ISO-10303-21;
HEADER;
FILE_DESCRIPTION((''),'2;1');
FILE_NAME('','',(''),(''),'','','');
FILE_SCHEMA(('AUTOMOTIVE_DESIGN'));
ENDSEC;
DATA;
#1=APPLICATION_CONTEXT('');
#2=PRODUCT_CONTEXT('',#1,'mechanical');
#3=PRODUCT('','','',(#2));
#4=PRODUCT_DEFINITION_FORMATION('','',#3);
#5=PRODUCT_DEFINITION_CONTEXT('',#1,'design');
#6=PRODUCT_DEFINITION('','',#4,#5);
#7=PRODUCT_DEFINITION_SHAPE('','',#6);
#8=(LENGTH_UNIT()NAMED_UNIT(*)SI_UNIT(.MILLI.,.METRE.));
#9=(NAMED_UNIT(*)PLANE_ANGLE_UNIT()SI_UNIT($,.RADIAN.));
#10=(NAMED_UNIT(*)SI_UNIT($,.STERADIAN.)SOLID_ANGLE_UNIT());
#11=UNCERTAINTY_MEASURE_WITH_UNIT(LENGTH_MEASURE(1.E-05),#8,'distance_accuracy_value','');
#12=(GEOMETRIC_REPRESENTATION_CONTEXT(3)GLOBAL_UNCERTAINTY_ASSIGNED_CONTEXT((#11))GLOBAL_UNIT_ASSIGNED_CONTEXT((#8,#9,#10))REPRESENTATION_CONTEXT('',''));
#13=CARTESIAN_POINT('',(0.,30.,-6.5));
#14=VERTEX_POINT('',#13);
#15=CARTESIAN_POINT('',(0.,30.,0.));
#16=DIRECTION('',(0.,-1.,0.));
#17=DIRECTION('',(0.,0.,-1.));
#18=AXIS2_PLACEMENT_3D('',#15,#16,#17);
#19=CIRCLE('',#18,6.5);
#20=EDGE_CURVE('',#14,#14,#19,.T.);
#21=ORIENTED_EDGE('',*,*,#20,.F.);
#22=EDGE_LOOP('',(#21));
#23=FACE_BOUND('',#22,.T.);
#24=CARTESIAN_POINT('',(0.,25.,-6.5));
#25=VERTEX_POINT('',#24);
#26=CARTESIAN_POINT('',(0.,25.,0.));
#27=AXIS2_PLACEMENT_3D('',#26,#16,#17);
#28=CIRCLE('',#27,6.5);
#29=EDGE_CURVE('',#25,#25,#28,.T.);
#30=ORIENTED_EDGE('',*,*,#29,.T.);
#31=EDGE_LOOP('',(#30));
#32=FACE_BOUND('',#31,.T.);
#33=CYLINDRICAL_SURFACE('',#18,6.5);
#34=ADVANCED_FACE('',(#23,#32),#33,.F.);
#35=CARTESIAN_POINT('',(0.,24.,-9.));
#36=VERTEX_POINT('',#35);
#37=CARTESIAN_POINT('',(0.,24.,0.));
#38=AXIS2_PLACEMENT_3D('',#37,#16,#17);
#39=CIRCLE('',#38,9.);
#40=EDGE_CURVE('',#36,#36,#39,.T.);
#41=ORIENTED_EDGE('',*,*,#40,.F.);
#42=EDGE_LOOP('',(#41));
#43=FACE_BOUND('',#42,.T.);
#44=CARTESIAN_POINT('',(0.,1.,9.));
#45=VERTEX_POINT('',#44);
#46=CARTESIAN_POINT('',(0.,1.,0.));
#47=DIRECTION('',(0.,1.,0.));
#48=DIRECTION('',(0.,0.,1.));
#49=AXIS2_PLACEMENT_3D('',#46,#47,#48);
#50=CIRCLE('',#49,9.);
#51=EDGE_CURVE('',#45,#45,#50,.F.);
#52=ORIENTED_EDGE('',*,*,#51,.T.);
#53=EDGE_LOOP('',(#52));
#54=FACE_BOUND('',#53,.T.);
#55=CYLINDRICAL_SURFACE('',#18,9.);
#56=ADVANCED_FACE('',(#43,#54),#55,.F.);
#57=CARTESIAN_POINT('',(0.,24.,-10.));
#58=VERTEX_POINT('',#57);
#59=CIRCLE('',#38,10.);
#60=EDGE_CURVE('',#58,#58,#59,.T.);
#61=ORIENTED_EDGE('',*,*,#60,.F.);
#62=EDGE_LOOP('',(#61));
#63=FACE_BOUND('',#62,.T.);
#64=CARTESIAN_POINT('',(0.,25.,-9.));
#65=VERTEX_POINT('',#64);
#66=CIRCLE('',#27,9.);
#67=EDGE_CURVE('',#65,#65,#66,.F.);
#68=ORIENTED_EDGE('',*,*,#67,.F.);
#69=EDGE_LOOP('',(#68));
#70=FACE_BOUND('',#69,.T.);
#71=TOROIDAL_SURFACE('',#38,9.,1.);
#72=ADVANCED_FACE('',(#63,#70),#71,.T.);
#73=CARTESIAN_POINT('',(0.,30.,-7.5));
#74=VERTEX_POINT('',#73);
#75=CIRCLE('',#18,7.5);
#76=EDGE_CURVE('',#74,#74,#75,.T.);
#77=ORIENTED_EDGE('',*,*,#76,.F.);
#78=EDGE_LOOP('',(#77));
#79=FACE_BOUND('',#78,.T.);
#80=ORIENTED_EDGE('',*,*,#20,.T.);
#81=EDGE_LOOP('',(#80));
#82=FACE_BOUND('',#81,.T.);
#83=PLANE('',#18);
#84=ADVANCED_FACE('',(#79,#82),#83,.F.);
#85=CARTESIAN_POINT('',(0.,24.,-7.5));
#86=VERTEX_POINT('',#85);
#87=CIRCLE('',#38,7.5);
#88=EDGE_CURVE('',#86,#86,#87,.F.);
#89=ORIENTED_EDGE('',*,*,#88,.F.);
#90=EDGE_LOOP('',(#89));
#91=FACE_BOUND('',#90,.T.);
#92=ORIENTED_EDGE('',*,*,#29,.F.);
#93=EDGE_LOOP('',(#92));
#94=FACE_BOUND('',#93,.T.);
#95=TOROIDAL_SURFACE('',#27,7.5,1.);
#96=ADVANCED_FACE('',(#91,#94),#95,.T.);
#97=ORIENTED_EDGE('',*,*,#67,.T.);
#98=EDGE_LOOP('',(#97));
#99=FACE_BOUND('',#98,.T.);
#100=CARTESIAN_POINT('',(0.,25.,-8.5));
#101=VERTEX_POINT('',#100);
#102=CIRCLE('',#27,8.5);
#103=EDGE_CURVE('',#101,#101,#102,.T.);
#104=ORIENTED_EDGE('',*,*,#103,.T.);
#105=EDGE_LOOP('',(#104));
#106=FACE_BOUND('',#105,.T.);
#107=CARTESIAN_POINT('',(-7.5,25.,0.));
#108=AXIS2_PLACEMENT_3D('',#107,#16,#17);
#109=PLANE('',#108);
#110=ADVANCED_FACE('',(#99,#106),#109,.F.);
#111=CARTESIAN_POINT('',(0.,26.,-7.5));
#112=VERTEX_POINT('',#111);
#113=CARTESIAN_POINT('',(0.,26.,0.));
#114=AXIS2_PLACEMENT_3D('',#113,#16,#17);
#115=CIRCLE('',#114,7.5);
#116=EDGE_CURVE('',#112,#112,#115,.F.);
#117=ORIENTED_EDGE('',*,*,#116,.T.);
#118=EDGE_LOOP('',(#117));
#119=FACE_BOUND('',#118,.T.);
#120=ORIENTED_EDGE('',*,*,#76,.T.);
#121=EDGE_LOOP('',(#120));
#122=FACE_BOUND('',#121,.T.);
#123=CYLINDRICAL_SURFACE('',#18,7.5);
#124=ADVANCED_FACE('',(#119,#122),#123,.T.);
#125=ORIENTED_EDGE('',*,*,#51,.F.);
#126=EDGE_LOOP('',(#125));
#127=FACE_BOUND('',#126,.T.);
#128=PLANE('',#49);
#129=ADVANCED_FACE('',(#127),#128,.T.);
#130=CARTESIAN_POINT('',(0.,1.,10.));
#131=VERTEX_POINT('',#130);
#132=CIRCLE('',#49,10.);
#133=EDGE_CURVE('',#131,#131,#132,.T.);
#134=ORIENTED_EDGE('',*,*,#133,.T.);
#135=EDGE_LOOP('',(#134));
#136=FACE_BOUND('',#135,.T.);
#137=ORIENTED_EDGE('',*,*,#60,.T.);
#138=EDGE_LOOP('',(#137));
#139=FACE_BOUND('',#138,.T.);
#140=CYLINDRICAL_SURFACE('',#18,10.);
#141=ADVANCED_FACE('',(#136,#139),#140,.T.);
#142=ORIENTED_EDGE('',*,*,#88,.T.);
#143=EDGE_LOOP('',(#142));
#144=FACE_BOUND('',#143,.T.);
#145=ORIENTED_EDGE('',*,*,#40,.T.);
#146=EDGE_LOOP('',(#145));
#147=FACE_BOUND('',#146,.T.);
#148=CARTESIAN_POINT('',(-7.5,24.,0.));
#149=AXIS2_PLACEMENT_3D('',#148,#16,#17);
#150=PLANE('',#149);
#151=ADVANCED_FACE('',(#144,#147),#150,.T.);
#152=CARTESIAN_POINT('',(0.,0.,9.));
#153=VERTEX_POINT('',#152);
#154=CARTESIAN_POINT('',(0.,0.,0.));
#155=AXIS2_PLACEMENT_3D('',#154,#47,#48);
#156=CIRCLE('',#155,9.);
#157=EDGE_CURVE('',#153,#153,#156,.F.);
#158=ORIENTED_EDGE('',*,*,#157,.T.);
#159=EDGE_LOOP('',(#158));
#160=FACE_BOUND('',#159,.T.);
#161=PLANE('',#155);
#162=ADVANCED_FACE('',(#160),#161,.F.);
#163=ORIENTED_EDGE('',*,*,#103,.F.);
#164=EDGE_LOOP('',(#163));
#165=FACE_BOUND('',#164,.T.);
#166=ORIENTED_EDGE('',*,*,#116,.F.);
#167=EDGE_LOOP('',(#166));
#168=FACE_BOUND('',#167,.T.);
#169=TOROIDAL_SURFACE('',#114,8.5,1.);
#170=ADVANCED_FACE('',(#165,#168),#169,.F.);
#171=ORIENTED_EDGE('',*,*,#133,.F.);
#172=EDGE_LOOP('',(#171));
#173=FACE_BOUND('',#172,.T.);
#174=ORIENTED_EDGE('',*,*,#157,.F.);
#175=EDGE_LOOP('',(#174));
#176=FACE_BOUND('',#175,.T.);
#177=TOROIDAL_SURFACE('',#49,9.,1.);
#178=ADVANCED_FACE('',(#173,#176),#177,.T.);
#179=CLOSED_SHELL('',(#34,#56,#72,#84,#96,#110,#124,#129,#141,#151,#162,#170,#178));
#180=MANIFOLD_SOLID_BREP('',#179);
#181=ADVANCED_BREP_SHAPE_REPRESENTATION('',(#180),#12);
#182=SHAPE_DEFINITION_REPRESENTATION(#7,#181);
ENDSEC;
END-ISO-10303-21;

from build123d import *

# Parameters (mm, degrees)
SHELL1_T  = -1
FILLET1_R = 1
FILLET2_R = 1


with BuildPart() as part:
    # Sketch1 → Revolve1 (revolve)
    with BuildSketch(Plane.XY):
        Polygon((0, 0), (0, 30), (-7.5, 30), (-7.5, 25), (-10, 25), (-10, 0), align=None)
    revolve(axis=Axis((0, 30, 0), (0, 1, 0)))

    # Shell1
    shell1_openings = [part.faces().sort_by_distance(p)[0] for p in [
        (0, 30, -7.5),
    ]]
    offset(amount=SHELL1_T, openings=shell1_openings, kind=Kind.INTERSECTION)

    # Fillet1
    fillet1_edges = [part.edges().sort_by_distance(p)[0] for p in [
        (7.5, 25, 0),
        (10, 25, 0),
        (10, 0, 0),
    ]]
    fillet(fillet1_edges, radius=FILLET1_R)

    # Fillet2
    fillet2_edges = [part.edges().sort_by_distance(p)[0] for p in [
        (6.5, 24, 0),
    ]]
    fillet(fillet2_edges, radius=FILLET2_R)


solid = part.part
